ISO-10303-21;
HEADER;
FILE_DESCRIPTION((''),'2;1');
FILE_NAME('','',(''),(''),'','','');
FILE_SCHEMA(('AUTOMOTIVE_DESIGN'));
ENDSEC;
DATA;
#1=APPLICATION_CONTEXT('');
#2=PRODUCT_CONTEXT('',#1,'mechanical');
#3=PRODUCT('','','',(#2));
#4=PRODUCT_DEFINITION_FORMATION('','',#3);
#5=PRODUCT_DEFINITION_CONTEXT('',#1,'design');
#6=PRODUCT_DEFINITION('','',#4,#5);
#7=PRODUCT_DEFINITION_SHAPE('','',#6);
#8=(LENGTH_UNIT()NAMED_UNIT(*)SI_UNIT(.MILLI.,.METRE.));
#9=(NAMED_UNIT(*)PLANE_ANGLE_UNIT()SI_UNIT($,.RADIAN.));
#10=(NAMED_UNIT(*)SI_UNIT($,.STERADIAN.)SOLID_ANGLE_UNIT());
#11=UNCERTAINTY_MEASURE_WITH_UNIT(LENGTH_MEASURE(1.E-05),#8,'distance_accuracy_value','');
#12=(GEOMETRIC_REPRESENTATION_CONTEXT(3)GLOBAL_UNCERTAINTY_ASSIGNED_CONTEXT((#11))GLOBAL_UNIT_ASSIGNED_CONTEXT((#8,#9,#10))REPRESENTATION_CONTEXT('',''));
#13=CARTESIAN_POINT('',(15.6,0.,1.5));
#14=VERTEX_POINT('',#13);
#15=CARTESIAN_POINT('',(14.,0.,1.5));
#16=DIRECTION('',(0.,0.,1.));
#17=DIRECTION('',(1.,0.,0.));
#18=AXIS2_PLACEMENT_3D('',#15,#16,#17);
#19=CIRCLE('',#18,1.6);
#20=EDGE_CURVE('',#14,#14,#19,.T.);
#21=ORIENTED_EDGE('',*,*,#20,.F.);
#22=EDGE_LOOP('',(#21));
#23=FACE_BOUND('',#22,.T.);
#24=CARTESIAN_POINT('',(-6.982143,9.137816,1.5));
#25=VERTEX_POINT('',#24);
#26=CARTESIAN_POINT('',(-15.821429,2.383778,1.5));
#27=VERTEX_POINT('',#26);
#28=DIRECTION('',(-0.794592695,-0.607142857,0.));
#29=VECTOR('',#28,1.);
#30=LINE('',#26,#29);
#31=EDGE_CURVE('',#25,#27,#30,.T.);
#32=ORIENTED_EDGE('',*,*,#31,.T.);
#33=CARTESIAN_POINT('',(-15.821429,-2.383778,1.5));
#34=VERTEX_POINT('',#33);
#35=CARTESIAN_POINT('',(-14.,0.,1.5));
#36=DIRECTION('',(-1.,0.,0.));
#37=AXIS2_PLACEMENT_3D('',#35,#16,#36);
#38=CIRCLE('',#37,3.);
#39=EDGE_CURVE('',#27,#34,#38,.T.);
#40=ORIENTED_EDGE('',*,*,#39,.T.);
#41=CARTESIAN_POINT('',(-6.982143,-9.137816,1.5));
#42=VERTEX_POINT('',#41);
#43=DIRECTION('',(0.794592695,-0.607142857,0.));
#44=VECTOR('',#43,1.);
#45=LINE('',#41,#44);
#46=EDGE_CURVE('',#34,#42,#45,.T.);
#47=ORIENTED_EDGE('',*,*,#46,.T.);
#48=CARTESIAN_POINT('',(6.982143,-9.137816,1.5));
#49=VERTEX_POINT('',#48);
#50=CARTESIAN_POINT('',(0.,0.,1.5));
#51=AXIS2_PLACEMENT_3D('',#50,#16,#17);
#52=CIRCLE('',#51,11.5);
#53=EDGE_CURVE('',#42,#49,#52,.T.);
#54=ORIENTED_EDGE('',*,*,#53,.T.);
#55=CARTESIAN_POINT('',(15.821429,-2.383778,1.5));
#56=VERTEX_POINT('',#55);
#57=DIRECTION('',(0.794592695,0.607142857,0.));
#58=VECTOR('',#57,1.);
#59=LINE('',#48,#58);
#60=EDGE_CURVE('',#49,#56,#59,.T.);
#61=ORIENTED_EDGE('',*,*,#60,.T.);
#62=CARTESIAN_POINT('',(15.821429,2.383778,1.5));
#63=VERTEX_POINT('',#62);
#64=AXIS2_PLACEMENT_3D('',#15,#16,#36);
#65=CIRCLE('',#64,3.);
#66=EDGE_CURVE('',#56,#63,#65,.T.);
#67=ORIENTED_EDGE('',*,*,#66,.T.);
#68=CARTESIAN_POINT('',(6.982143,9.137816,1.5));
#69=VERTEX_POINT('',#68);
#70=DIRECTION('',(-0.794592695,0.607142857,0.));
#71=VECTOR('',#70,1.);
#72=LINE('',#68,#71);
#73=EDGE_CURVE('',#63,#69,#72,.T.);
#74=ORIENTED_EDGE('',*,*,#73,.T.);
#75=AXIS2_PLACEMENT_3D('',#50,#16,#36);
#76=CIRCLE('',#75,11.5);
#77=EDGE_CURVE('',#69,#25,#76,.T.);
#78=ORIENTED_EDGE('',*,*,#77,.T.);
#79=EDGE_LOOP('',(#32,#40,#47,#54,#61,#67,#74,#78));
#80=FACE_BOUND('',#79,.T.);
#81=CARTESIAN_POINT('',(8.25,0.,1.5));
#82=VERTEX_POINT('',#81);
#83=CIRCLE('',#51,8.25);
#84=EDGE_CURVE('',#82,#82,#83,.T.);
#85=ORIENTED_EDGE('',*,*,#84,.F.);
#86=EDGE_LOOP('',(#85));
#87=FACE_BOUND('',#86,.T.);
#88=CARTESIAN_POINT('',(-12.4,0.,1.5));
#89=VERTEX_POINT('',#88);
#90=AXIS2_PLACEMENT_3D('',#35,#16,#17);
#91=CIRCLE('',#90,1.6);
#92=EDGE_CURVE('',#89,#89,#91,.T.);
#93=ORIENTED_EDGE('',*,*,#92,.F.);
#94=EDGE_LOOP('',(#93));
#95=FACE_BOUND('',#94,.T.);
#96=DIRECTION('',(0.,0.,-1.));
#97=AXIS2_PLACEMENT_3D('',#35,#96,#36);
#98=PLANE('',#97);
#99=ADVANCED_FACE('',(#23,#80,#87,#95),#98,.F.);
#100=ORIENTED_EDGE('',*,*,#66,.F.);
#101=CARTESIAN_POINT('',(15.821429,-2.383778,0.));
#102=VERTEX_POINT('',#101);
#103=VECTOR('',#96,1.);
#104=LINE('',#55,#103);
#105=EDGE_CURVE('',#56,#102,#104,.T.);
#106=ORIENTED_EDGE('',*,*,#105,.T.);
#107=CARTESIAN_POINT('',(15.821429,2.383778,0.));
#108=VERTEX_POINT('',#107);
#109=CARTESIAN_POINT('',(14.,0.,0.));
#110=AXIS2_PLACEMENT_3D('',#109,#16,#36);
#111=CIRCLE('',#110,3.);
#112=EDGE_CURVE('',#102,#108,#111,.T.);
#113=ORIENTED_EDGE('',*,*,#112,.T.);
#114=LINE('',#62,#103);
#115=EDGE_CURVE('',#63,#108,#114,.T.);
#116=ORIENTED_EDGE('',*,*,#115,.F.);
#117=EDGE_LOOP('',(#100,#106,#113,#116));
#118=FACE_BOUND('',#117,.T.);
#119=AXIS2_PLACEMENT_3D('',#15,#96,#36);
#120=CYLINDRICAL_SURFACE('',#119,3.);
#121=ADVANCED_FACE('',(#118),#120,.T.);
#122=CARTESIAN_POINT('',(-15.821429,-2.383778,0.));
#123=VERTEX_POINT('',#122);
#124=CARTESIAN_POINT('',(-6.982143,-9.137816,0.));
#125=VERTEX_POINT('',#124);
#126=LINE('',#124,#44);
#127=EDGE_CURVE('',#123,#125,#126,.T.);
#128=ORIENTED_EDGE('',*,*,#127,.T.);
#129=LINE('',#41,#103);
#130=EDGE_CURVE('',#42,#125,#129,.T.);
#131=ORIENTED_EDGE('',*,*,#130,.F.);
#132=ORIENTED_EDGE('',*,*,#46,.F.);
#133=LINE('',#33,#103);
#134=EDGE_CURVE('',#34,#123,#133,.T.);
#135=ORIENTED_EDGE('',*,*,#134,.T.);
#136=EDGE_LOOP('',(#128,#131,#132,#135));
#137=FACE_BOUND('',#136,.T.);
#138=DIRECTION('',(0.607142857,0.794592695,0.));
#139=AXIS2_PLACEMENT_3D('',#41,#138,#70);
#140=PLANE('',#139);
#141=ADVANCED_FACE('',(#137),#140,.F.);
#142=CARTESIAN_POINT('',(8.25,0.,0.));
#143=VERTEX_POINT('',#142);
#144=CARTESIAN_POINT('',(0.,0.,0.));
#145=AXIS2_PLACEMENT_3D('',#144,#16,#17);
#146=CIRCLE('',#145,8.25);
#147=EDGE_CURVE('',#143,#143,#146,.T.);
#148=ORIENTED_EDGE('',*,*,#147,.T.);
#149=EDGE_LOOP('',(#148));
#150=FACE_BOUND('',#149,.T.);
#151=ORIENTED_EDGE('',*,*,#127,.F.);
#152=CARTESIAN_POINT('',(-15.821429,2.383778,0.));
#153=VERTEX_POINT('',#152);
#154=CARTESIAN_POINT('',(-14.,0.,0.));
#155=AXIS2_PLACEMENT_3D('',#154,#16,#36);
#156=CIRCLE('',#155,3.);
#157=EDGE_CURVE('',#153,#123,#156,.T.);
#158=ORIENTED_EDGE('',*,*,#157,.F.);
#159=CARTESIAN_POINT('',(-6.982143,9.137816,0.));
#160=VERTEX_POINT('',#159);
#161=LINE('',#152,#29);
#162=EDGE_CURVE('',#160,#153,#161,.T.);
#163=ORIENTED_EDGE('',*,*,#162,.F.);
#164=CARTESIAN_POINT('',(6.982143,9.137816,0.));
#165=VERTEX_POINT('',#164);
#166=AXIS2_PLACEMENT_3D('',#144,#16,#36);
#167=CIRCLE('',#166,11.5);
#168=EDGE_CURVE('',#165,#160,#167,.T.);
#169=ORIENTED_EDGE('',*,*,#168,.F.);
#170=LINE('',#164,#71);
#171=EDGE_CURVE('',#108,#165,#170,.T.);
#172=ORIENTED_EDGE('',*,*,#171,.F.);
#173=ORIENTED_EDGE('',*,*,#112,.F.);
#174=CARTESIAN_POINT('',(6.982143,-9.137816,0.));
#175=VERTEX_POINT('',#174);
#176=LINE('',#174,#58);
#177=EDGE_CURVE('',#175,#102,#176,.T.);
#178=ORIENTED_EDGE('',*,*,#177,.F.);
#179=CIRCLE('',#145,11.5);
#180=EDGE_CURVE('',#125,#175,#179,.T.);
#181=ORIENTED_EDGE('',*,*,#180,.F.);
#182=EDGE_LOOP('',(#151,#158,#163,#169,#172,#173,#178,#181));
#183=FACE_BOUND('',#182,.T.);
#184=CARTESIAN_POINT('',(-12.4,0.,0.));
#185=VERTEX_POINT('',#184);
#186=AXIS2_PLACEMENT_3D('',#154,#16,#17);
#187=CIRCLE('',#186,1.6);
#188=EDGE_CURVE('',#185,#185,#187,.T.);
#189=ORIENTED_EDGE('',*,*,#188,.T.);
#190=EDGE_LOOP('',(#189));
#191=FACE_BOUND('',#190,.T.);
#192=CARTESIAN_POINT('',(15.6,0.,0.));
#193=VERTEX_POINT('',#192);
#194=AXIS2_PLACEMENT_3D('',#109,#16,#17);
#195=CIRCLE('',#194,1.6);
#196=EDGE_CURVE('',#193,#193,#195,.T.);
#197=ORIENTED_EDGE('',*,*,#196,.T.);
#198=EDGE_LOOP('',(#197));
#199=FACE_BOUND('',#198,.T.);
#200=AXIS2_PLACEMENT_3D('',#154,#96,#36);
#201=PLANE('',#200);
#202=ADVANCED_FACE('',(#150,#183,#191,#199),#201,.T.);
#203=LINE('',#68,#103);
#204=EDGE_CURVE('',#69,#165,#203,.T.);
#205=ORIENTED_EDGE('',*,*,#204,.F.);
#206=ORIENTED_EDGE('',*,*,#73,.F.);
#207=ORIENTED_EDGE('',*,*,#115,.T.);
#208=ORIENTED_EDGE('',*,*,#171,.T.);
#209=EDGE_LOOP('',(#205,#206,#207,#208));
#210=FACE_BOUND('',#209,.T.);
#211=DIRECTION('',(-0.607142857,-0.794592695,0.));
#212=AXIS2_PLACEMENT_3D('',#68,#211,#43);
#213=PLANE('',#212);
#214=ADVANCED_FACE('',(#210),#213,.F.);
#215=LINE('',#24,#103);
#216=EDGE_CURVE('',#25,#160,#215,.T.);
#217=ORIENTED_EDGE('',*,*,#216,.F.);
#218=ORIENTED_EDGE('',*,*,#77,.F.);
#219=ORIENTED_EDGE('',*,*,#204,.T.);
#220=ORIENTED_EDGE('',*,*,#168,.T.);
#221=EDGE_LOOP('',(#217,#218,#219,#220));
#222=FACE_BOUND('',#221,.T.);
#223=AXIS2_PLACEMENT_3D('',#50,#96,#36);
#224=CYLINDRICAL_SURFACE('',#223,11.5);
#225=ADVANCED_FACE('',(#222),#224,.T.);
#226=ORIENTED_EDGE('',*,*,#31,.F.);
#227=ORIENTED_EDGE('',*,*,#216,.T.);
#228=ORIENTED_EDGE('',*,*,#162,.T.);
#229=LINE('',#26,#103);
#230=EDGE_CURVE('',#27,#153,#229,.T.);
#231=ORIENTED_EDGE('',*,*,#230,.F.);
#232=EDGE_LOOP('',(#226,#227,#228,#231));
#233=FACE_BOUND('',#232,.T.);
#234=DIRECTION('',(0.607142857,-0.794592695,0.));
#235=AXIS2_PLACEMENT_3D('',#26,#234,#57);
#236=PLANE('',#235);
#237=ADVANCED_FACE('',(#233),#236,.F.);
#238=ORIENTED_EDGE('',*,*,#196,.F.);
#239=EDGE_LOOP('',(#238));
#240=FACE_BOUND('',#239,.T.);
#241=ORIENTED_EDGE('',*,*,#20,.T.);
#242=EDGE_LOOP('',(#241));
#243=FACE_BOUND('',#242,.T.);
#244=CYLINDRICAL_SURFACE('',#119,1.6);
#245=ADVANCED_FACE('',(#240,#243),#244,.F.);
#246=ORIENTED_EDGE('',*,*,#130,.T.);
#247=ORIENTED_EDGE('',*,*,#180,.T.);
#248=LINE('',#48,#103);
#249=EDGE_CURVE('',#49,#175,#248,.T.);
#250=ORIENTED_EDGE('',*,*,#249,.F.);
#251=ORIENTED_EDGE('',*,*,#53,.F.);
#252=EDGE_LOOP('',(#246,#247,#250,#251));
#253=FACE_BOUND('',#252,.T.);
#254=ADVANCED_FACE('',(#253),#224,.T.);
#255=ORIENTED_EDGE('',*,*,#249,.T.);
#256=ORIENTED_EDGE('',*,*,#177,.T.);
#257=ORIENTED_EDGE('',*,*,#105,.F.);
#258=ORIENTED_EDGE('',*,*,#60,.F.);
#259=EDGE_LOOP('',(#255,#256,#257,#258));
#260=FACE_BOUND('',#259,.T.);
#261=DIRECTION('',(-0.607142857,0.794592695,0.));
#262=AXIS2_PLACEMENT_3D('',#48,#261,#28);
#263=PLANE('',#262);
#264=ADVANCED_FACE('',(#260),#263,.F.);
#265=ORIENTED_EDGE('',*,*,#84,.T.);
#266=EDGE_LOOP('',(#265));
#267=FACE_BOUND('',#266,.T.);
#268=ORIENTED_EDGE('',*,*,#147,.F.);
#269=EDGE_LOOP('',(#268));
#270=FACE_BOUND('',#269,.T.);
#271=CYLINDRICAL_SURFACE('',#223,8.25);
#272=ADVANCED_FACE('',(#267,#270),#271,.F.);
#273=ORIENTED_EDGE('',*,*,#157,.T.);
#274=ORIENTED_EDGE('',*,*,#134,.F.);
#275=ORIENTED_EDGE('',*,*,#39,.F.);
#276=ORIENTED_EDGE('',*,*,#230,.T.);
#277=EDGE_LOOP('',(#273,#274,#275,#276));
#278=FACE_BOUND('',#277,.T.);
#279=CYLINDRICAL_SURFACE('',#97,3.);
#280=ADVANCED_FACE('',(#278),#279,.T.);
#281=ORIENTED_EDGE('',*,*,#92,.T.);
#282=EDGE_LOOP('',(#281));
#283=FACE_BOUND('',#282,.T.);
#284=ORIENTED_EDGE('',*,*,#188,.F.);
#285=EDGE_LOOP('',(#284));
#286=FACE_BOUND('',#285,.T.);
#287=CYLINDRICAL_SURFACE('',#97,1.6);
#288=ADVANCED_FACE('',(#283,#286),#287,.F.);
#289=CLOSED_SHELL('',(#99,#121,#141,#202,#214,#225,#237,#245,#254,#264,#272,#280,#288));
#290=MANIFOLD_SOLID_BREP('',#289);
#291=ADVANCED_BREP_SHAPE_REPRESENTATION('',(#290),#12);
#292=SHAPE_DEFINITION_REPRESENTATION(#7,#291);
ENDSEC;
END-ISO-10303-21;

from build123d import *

# Parameters (mm, degrees)
SKETCH_1_R      = 8.25
SKETCH_1_R_2    = 1.6
EXTRUDE_1_DEPTH = 1.5


with BuildPart() as part:
    # ｽｹｯﾁ1 → ﾎﾞｽ - 押し出し1 (new body)
    with BuildSketch(Plane.XY):
        with BuildLine():
            Line((-15.821428571, 2.383778085), (-6.982142857, 9.137815993))
            ThreePointArc((-6.982142857, 9.137815993), (0, 11.5), (6.982142857, 9.137815993))
            Line((6.982142857, 9.137815993), (15.821428571, 2.383778085))
            ThreePointArc((15.821428571, 2.383778085), (17, 0), (15.821428571, -2.383778085))
            Line((15.821428571, -2.383778085), (6.982142857, -9.137815993))
            ThreePointArc((6.982142857, -9.137815993), (0, -11.5), (-6.982142857, -9.137815993))
            Line((-6.982142857, -9.137815993), (-15.821428571, -2.383778085))
            ThreePointArc((-15.821428571, -2.383778085), (-17, 0), (-15.821428571, 2.383778085))
        make_face()
        Circle(SKETCH_1_R, mode=Mode.SUBTRACT)
        with Locations((-14, 0)):
            Circle(SKETCH_1_R_2, mode=Mode.SUBTRACT)
        with Locations((14, 0)):
            Circle(SKETCH_1_R_2, mode=Mode.SUBTRACT)
    extrude(amount=EXTRUDE_1_DEPTH)


solid = part.part
